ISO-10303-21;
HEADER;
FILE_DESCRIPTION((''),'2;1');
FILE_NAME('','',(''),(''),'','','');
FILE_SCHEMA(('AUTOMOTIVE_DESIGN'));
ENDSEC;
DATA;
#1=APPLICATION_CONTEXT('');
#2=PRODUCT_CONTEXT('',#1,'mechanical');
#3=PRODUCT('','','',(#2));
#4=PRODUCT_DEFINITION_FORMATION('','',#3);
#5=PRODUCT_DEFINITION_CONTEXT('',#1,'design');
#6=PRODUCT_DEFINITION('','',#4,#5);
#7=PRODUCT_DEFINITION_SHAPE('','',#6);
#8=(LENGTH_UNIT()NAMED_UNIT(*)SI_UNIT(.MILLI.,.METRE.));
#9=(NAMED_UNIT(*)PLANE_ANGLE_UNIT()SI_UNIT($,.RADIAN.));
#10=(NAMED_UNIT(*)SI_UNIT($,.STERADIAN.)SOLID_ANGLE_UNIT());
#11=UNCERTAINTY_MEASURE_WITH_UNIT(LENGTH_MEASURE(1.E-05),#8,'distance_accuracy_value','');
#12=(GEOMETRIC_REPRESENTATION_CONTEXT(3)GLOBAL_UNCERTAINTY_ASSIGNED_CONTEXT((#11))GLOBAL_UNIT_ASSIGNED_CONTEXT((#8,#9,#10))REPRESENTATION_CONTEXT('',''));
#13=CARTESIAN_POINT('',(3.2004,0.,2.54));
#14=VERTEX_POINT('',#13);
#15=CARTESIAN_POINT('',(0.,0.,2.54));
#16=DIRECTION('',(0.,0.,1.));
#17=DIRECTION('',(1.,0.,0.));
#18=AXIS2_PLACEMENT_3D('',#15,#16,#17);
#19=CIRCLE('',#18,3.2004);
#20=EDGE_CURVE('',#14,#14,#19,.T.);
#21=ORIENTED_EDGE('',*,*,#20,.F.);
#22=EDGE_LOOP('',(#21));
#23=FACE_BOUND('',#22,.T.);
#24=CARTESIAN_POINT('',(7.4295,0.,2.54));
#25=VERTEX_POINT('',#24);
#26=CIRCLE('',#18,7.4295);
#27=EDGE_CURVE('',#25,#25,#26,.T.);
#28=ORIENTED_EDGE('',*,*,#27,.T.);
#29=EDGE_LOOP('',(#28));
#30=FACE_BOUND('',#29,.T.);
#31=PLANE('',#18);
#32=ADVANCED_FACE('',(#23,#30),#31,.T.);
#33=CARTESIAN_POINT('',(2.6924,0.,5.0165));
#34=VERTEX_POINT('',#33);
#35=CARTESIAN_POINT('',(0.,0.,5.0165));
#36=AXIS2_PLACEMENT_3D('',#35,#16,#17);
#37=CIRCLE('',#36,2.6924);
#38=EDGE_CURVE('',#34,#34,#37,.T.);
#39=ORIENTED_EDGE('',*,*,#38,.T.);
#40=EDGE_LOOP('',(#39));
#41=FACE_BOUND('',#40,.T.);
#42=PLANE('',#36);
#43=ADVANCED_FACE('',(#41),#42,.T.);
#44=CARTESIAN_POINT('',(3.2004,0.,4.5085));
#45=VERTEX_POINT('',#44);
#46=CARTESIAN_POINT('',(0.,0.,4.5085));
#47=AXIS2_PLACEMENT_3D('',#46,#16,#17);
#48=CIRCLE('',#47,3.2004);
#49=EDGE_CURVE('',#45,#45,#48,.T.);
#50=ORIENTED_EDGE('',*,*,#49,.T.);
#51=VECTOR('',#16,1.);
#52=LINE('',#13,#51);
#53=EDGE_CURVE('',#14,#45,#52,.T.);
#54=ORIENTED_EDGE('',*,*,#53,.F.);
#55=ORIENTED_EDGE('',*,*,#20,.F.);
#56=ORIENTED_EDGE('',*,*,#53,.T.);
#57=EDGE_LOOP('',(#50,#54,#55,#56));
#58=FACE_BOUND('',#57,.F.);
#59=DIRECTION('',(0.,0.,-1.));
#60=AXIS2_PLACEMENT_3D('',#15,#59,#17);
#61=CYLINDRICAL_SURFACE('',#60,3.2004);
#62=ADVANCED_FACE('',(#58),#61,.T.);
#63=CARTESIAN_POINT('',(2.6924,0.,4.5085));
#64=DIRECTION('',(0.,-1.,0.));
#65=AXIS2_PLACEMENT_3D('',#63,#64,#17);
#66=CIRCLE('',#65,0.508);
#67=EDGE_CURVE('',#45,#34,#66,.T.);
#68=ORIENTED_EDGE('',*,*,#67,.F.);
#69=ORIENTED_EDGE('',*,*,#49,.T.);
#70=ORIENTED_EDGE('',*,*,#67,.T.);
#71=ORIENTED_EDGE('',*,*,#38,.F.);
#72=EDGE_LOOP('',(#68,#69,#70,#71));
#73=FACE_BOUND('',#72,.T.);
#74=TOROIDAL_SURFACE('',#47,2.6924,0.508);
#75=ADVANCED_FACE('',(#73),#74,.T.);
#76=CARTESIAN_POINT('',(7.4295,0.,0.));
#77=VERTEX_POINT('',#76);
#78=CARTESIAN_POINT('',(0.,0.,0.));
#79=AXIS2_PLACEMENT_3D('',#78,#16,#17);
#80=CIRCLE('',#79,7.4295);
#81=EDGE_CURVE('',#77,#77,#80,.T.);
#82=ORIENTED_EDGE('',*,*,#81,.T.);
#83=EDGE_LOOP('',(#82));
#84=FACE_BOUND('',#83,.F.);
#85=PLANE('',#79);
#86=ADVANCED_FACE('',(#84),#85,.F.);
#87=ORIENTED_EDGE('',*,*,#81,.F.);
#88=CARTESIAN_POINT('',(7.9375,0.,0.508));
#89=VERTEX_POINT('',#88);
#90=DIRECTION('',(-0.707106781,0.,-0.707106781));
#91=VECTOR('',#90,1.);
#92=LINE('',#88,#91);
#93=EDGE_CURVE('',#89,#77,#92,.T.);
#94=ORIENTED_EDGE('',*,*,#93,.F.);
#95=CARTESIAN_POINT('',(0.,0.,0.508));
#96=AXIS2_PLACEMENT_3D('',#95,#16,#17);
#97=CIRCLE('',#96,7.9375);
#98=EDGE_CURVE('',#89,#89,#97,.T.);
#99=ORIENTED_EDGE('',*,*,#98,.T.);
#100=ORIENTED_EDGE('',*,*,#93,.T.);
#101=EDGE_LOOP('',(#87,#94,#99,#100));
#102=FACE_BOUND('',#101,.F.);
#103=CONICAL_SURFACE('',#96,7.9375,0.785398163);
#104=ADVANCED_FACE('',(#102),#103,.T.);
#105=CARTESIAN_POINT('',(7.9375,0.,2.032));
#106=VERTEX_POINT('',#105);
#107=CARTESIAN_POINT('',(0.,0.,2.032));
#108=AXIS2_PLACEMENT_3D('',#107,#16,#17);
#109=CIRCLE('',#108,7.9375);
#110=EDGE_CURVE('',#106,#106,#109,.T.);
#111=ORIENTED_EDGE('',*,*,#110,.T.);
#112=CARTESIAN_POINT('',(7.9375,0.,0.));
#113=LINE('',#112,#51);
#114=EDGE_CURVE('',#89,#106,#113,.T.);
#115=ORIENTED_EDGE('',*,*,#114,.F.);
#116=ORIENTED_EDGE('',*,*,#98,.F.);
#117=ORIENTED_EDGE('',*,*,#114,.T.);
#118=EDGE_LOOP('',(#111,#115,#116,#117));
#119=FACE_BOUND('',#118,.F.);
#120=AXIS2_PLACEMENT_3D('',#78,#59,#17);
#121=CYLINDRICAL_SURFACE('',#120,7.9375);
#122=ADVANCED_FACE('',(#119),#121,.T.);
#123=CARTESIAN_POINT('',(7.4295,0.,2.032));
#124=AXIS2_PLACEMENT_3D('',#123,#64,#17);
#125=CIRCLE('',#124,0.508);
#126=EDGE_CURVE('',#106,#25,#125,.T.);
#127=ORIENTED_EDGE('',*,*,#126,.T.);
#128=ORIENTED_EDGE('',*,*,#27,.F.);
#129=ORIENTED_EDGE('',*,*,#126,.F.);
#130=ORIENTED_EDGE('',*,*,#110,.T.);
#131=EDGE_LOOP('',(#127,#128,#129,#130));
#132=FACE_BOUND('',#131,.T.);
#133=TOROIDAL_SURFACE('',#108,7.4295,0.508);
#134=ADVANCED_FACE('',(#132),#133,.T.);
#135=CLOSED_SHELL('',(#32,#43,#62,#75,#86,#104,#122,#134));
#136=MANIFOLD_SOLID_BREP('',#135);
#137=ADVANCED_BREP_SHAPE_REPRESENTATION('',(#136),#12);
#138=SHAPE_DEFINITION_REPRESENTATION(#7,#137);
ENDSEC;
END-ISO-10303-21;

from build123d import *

# Parameters (mm, degrees)
F0_R     = 7.9375
F2_DEPTH = 2.54
F3_START = 2.54
F1_R     = 3.2004
F3_DEPTH = 2.4765
F4_R     = 0.508
F5_SIZE  = 0.508


with BuildPart() as f2:
    # F0 (on Top) → F2 (new body)
    with BuildSketch(Plane.XY):
        Circle(F0_R)
    extrude(amount=F2_DEPTH)

    # F1 (on Top) → F3 (join)
    with BuildSketch(Plane.XY.offset(F3_START)):
        Circle(F1_R)
    extrude(amount=F3_DEPTH)

    # F4
    f4_edges = [f2.edges().sort_by_distance(p)[0] for p in [
        (-3.2004, 0, 5.0165),
        (-7.9375, 0, 2.54),
    ]]
    fillet(f4_edges, radius=F4_R)

    # F5
    f5_edges = [f2.edges().sort_by_distance(p)[0] for p in [
        (-7.9375, 0, 0),
    ]]
    chamfer(f5_edges, length=F5_SIZE)


solid = f2.part
